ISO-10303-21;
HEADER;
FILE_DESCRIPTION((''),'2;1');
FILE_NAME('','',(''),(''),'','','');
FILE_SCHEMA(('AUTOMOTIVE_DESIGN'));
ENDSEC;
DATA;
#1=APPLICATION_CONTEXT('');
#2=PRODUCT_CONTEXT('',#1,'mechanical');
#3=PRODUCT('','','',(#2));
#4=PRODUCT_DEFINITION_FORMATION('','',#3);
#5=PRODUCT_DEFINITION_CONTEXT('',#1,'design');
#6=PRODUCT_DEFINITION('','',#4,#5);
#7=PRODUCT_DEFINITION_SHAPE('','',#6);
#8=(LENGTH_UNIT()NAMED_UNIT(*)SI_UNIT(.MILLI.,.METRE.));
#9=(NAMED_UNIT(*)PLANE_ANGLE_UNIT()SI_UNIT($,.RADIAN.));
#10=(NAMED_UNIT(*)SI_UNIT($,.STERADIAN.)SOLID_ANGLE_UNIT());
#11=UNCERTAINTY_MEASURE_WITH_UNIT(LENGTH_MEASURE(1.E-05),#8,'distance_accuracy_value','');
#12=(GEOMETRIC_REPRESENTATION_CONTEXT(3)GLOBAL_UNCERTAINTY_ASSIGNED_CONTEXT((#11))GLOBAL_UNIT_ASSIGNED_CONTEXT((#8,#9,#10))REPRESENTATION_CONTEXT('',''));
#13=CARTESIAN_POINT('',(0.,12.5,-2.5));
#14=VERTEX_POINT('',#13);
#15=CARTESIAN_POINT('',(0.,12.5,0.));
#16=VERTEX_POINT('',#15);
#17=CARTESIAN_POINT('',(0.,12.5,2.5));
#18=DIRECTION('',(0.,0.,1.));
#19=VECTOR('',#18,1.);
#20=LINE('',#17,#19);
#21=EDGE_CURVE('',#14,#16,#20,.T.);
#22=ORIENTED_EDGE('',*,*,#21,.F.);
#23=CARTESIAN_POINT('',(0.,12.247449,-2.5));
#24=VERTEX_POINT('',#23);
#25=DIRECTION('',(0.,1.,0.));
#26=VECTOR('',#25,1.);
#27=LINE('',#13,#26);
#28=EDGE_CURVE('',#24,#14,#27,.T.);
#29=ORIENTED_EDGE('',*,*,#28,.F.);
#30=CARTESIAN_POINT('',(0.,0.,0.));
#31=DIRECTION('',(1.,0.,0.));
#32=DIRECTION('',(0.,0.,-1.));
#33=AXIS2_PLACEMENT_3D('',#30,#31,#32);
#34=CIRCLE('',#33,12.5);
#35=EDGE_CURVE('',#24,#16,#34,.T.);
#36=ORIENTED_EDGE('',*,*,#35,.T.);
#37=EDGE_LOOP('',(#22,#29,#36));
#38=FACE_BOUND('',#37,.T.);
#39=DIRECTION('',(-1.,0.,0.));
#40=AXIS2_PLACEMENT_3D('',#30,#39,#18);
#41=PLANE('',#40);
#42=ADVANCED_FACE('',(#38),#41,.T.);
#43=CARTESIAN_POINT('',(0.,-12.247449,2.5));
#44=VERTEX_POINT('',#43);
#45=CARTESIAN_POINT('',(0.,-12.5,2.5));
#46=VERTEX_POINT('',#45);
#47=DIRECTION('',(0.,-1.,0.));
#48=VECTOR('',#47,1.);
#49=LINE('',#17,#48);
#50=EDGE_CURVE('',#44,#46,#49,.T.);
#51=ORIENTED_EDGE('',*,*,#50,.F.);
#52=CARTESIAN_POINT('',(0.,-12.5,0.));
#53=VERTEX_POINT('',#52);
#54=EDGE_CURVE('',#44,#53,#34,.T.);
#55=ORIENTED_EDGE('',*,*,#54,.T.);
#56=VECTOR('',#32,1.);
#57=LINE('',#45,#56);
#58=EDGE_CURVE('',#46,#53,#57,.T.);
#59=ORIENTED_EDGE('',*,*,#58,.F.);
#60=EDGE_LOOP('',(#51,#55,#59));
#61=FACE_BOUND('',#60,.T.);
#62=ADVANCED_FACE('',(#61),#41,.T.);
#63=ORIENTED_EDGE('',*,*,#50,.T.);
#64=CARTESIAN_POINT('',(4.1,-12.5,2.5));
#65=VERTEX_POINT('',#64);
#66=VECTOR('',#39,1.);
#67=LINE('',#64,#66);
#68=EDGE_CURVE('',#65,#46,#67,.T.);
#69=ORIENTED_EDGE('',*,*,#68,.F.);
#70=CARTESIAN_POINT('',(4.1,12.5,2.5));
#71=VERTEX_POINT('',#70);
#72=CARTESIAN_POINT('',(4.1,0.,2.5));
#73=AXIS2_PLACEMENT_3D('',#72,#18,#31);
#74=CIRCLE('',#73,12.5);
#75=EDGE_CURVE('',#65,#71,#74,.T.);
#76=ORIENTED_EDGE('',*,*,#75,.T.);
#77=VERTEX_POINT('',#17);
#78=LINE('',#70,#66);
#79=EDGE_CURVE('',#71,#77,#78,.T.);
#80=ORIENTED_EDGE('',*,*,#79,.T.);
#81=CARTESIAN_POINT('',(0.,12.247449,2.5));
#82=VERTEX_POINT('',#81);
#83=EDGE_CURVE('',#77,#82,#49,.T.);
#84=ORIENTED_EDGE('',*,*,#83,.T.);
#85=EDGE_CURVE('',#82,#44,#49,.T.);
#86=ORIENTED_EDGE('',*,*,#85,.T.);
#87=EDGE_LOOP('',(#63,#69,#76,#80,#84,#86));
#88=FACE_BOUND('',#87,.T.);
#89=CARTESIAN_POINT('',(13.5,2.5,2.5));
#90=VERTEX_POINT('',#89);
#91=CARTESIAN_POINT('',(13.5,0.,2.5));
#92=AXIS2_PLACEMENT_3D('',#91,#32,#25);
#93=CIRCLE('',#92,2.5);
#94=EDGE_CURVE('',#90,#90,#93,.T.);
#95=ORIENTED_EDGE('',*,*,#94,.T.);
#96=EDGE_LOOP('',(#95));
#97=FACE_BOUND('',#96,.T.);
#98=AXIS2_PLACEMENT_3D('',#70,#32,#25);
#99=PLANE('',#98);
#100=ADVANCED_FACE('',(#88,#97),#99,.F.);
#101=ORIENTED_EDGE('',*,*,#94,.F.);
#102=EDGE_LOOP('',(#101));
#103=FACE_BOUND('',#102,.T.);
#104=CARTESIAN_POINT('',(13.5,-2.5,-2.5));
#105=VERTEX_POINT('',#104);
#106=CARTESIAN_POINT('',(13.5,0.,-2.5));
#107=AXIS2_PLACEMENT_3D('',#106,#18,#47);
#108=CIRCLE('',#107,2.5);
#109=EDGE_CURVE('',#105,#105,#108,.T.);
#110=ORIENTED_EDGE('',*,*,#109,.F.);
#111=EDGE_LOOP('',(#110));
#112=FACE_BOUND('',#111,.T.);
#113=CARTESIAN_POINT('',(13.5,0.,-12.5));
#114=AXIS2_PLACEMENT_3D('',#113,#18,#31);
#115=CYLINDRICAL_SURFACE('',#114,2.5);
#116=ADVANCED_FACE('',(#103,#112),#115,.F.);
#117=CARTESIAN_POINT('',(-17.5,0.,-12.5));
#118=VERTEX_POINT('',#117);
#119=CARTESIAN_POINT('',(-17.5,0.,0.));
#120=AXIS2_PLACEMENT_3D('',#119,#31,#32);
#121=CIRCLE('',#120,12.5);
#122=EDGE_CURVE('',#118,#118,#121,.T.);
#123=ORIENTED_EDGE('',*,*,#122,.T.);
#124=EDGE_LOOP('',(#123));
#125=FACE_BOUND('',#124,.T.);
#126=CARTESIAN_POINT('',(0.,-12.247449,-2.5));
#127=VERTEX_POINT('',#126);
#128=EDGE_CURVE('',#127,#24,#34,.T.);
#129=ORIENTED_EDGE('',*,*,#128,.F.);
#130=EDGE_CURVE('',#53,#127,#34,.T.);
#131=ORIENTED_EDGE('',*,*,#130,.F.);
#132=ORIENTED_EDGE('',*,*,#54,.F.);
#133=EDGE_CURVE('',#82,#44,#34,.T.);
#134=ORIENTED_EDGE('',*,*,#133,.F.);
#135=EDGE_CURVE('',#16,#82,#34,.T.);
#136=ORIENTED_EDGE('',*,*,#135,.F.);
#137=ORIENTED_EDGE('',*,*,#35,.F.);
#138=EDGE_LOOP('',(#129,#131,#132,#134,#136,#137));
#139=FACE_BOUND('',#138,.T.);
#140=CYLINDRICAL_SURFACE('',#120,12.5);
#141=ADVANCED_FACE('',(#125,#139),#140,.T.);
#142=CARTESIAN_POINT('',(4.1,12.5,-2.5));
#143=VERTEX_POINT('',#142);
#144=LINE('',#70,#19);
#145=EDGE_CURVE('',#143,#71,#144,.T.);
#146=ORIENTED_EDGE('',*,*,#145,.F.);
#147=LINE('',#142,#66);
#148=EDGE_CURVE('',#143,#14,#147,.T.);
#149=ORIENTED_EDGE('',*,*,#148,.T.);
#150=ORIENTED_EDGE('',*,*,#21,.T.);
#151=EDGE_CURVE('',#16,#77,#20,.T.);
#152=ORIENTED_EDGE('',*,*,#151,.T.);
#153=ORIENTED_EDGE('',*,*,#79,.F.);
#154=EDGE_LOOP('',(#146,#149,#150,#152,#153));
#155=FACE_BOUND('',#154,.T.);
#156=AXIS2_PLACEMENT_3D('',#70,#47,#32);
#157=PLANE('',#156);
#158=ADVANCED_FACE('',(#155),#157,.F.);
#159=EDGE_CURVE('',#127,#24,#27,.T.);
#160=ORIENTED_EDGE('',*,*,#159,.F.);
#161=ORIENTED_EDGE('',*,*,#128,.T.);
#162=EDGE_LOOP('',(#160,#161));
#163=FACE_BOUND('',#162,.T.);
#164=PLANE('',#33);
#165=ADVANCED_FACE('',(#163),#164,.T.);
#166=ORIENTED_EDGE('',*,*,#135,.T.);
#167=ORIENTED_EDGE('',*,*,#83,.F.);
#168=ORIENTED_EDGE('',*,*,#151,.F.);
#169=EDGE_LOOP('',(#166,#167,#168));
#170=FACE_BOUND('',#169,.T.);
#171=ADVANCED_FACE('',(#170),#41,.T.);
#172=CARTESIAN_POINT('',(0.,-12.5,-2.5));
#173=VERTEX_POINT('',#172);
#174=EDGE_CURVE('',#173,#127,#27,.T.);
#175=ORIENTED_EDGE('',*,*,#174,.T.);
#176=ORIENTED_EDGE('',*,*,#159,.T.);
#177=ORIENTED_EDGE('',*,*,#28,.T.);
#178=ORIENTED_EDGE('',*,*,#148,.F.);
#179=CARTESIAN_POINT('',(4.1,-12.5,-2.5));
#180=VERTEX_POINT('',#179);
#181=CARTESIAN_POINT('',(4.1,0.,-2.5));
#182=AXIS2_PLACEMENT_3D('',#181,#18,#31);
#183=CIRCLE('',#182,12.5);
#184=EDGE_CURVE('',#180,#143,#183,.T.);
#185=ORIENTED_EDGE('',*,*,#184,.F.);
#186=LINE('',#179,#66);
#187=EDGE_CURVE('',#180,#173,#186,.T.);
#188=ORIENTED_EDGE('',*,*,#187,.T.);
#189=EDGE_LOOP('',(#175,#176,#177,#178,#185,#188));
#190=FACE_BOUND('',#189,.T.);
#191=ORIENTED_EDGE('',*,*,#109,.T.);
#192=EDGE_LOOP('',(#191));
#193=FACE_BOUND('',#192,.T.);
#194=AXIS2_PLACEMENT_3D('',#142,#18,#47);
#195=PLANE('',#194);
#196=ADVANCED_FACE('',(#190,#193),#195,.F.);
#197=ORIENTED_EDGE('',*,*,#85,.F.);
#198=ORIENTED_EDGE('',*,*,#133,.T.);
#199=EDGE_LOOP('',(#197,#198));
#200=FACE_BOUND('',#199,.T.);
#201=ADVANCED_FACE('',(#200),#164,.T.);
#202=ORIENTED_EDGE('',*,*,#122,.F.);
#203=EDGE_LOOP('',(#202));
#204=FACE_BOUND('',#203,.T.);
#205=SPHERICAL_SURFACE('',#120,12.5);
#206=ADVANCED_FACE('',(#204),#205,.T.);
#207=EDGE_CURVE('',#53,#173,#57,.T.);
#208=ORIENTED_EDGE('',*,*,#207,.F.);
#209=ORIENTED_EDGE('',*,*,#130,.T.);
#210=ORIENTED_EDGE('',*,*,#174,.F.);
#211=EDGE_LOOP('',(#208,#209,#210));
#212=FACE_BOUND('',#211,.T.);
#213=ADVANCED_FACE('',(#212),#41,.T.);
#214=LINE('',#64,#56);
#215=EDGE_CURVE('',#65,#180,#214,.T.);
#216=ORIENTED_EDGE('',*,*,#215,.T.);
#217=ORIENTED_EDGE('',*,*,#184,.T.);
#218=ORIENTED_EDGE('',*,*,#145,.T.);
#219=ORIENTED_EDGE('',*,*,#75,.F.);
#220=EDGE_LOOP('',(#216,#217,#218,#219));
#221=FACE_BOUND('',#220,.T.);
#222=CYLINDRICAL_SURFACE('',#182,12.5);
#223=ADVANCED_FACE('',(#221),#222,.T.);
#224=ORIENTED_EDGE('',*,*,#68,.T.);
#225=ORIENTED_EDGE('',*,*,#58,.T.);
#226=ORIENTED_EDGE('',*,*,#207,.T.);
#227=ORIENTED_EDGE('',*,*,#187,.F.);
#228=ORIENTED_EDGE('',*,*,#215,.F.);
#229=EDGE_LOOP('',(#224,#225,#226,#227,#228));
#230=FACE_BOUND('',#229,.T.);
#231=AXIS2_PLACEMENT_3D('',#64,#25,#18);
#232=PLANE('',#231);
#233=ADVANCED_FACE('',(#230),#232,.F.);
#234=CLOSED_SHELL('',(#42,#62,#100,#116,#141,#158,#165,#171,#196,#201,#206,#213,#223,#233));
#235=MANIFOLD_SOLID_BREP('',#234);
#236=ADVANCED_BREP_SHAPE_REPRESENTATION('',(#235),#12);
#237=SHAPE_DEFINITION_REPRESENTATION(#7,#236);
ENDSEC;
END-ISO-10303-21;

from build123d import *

# Parameters (mm, degrees)
SKETCH1_R               = 12.5
BOSS_EXTRUDE1_DEPTH     = 17.5
SKETCH6_W               = 5
SKETCH6_H               = 25
BOSS_EXTRUDE3_DEPTH     = 4.1
BOSS_EXTRUDE4_DEPTH     = 5
CUT_EXTRUDE1_DEPTH      = 27.220221204
CUT_EXTRUDE1_DEPTH_BACK = 27.220221204
SKETCH10_R              = 2.5
REVOLVE1_ANGLE          = 180


with BuildPart() as part:
    # Sketch1 → Boss-Extrude1 (new body)
    with BuildSketch(Plane(origin=(0, 0, 0), x_dir=(0, 0, -1), z_dir=(1, 0, 0))):
        Circle(SKETCH1_R)
    extrude(amount=-BOSS_EXTRUDE1_DEPTH)

    # Sketch6 → Boss-Extrude3 (add)
    with BuildSketch(Plane(origin=(0, 0, 0), x_dir=(0, 0, -1), z_dir=(1, 0, 0))):
        Rectangle(SKETCH6_W, SKETCH6_H)
    extrude(amount=BOSS_EXTRUDE3_DEPTH)

    # Sketch8 → Boss-Extrude4 (add)
    with BuildSketch(Plane.XY.offset(2.5)):
        with BuildLine():
            Line((4.1, 12.5), (4.1, -12.5))
            ThreePointArc((4.1, -12.5), (16.6, 0), (4.1, 12.5))
        make_face()
    extrude(amount=-BOSS_EXTRUDE4_DEPTH)

    # Sketch10 → Cut-Extrude1 (cut, two sides: drawn at the far end of the back side and taken through both)
    with BuildSketch(Plane.XY.offset(2.5).offset(-CUT_EXTRUDE1_DEPTH_BACK)):
        with Locations(Location((13.5, 0, 0), (0, 0, 270))):
            Circle(SKETCH10_R)
    extrude(amount=CUT_EXTRUDE1_DEPTH + CUT_EXTRUDE1_DEPTH_BACK, mode=Mode.SUBTRACT)

    # Sketch11 → Revolve1 (revolve)
    with BuildSketch(Plane.ZY.offset(17.5)):
        with BuildLine():
            Line((0, 12.5), (0, -12.5))
            ThreePointArc((0, -12.5), (12.5, 0), (0, 12.5))
        make_face()
    revolve(axis=Axis((-17.5, 12.5, 0), (0, -1, 0)), revolution_arc=REVOLVE1_ANGLE)


solid = part.part
